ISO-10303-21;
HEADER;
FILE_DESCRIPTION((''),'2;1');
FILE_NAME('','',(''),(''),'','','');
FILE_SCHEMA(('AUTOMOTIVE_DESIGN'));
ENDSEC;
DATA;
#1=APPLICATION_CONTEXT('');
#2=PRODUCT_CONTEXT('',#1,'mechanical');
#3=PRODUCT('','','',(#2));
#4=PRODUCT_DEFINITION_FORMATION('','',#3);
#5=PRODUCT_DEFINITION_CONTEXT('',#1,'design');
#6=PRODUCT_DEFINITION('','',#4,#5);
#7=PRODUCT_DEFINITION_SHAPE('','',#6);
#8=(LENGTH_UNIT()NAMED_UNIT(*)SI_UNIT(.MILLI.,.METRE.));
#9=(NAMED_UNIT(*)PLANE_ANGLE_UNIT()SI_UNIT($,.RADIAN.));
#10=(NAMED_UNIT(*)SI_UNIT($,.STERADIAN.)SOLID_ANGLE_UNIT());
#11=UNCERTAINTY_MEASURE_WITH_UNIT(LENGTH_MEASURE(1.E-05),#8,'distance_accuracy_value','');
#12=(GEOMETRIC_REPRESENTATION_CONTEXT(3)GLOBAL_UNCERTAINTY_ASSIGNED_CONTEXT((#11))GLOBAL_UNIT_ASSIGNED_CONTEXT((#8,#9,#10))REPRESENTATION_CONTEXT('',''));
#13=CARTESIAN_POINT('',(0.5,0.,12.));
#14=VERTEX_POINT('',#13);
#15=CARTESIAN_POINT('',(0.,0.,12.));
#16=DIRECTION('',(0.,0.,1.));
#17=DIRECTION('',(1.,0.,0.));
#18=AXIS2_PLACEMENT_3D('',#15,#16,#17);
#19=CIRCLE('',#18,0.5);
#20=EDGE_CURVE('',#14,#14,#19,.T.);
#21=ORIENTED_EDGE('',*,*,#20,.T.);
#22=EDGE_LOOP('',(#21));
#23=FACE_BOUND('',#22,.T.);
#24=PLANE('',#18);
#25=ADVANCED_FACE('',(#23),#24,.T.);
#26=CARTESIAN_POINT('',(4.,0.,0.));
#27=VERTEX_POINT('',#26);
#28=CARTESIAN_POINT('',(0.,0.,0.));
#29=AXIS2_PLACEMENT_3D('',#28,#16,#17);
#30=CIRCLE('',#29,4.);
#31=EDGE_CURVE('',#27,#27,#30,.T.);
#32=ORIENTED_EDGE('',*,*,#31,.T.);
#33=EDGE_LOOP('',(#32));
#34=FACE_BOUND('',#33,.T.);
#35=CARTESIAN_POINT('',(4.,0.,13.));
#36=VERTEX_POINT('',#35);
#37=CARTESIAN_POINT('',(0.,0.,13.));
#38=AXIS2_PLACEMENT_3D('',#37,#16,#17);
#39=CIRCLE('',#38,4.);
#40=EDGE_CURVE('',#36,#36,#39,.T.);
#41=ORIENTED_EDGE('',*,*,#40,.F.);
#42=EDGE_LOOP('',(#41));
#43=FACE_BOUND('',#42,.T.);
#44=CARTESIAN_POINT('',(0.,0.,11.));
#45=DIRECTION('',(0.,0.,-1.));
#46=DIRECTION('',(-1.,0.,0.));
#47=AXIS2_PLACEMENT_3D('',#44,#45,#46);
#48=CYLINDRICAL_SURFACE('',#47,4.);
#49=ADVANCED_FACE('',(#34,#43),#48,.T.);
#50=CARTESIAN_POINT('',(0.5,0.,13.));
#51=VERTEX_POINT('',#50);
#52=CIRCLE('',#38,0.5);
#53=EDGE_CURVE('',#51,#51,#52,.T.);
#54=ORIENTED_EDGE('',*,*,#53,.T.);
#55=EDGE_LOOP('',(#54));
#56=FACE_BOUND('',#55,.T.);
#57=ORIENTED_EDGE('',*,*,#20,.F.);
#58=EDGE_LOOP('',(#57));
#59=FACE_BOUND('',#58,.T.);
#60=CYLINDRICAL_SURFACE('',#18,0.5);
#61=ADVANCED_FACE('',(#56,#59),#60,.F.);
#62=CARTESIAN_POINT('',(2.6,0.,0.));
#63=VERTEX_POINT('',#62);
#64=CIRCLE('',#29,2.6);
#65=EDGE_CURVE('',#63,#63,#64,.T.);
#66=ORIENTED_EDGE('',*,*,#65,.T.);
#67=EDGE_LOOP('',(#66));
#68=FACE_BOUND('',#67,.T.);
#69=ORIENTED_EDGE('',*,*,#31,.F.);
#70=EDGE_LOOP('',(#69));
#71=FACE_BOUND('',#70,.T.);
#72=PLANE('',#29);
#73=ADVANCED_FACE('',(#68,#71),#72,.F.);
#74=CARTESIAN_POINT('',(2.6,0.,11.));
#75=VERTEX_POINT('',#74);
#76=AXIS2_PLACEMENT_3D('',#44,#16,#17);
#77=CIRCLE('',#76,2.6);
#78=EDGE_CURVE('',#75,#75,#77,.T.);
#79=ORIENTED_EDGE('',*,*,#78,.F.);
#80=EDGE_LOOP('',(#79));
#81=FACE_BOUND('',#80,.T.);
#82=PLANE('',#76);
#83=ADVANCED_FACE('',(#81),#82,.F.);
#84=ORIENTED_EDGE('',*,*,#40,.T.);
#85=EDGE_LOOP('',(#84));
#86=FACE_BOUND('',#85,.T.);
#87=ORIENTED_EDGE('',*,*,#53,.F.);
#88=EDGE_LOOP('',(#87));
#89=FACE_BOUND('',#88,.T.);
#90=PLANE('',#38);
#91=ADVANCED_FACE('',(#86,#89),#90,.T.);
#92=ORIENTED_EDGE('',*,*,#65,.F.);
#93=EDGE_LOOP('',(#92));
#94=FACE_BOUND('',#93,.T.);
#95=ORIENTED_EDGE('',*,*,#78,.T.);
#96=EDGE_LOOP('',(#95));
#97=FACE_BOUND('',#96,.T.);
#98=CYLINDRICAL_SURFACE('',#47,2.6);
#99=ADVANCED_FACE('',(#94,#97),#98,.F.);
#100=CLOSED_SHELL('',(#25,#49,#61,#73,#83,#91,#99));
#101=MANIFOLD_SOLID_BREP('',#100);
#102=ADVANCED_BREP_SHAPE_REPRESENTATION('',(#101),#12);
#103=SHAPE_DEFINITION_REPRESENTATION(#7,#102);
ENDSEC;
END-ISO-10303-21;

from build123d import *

# Parameters (mm, degrees)
SKETCH1_R           = 4
SKETCH1_R_2         = 2.6
BOSS_EXTRUDE3_DEPTH = 11
SKETCH3_R           = 4
BOSS_EXTRUDE4_DEPTH = 2
SKETCH4_R           = 0.5
CUT_EXTRUDE1_DEPTH  = 1


with BuildPart() as part:
    # Sketch1 → Boss-Extrude3 (new body)
    with BuildSketch(Plane.XY):
        Circle(SKETCH1_R)
        Circle(SKETCH1_R_2, mode=Mode.SUBTRACT)
    extrude(amount=BOSS_EXTRUDE3_DEPTH)

    # Sketch3 → Boss-Extrude4 (add)
    with BuildSketch(Plane.XY.offset(11)):
        Circle(SKETCH3_R)
    extrude(amount=BOSS_EXTRUDE4_DEPTH)

    # Sketch4 → Cut-Extrude1 (cut)
    with BuildSketch(Plane.XY.offset(13)):
        Circle(SKETCH4_R)
    extrude(amount=-CUT_EXTRUDE1_DEPTH, mode=Mode.SUBTRACT)


solid = part.part
